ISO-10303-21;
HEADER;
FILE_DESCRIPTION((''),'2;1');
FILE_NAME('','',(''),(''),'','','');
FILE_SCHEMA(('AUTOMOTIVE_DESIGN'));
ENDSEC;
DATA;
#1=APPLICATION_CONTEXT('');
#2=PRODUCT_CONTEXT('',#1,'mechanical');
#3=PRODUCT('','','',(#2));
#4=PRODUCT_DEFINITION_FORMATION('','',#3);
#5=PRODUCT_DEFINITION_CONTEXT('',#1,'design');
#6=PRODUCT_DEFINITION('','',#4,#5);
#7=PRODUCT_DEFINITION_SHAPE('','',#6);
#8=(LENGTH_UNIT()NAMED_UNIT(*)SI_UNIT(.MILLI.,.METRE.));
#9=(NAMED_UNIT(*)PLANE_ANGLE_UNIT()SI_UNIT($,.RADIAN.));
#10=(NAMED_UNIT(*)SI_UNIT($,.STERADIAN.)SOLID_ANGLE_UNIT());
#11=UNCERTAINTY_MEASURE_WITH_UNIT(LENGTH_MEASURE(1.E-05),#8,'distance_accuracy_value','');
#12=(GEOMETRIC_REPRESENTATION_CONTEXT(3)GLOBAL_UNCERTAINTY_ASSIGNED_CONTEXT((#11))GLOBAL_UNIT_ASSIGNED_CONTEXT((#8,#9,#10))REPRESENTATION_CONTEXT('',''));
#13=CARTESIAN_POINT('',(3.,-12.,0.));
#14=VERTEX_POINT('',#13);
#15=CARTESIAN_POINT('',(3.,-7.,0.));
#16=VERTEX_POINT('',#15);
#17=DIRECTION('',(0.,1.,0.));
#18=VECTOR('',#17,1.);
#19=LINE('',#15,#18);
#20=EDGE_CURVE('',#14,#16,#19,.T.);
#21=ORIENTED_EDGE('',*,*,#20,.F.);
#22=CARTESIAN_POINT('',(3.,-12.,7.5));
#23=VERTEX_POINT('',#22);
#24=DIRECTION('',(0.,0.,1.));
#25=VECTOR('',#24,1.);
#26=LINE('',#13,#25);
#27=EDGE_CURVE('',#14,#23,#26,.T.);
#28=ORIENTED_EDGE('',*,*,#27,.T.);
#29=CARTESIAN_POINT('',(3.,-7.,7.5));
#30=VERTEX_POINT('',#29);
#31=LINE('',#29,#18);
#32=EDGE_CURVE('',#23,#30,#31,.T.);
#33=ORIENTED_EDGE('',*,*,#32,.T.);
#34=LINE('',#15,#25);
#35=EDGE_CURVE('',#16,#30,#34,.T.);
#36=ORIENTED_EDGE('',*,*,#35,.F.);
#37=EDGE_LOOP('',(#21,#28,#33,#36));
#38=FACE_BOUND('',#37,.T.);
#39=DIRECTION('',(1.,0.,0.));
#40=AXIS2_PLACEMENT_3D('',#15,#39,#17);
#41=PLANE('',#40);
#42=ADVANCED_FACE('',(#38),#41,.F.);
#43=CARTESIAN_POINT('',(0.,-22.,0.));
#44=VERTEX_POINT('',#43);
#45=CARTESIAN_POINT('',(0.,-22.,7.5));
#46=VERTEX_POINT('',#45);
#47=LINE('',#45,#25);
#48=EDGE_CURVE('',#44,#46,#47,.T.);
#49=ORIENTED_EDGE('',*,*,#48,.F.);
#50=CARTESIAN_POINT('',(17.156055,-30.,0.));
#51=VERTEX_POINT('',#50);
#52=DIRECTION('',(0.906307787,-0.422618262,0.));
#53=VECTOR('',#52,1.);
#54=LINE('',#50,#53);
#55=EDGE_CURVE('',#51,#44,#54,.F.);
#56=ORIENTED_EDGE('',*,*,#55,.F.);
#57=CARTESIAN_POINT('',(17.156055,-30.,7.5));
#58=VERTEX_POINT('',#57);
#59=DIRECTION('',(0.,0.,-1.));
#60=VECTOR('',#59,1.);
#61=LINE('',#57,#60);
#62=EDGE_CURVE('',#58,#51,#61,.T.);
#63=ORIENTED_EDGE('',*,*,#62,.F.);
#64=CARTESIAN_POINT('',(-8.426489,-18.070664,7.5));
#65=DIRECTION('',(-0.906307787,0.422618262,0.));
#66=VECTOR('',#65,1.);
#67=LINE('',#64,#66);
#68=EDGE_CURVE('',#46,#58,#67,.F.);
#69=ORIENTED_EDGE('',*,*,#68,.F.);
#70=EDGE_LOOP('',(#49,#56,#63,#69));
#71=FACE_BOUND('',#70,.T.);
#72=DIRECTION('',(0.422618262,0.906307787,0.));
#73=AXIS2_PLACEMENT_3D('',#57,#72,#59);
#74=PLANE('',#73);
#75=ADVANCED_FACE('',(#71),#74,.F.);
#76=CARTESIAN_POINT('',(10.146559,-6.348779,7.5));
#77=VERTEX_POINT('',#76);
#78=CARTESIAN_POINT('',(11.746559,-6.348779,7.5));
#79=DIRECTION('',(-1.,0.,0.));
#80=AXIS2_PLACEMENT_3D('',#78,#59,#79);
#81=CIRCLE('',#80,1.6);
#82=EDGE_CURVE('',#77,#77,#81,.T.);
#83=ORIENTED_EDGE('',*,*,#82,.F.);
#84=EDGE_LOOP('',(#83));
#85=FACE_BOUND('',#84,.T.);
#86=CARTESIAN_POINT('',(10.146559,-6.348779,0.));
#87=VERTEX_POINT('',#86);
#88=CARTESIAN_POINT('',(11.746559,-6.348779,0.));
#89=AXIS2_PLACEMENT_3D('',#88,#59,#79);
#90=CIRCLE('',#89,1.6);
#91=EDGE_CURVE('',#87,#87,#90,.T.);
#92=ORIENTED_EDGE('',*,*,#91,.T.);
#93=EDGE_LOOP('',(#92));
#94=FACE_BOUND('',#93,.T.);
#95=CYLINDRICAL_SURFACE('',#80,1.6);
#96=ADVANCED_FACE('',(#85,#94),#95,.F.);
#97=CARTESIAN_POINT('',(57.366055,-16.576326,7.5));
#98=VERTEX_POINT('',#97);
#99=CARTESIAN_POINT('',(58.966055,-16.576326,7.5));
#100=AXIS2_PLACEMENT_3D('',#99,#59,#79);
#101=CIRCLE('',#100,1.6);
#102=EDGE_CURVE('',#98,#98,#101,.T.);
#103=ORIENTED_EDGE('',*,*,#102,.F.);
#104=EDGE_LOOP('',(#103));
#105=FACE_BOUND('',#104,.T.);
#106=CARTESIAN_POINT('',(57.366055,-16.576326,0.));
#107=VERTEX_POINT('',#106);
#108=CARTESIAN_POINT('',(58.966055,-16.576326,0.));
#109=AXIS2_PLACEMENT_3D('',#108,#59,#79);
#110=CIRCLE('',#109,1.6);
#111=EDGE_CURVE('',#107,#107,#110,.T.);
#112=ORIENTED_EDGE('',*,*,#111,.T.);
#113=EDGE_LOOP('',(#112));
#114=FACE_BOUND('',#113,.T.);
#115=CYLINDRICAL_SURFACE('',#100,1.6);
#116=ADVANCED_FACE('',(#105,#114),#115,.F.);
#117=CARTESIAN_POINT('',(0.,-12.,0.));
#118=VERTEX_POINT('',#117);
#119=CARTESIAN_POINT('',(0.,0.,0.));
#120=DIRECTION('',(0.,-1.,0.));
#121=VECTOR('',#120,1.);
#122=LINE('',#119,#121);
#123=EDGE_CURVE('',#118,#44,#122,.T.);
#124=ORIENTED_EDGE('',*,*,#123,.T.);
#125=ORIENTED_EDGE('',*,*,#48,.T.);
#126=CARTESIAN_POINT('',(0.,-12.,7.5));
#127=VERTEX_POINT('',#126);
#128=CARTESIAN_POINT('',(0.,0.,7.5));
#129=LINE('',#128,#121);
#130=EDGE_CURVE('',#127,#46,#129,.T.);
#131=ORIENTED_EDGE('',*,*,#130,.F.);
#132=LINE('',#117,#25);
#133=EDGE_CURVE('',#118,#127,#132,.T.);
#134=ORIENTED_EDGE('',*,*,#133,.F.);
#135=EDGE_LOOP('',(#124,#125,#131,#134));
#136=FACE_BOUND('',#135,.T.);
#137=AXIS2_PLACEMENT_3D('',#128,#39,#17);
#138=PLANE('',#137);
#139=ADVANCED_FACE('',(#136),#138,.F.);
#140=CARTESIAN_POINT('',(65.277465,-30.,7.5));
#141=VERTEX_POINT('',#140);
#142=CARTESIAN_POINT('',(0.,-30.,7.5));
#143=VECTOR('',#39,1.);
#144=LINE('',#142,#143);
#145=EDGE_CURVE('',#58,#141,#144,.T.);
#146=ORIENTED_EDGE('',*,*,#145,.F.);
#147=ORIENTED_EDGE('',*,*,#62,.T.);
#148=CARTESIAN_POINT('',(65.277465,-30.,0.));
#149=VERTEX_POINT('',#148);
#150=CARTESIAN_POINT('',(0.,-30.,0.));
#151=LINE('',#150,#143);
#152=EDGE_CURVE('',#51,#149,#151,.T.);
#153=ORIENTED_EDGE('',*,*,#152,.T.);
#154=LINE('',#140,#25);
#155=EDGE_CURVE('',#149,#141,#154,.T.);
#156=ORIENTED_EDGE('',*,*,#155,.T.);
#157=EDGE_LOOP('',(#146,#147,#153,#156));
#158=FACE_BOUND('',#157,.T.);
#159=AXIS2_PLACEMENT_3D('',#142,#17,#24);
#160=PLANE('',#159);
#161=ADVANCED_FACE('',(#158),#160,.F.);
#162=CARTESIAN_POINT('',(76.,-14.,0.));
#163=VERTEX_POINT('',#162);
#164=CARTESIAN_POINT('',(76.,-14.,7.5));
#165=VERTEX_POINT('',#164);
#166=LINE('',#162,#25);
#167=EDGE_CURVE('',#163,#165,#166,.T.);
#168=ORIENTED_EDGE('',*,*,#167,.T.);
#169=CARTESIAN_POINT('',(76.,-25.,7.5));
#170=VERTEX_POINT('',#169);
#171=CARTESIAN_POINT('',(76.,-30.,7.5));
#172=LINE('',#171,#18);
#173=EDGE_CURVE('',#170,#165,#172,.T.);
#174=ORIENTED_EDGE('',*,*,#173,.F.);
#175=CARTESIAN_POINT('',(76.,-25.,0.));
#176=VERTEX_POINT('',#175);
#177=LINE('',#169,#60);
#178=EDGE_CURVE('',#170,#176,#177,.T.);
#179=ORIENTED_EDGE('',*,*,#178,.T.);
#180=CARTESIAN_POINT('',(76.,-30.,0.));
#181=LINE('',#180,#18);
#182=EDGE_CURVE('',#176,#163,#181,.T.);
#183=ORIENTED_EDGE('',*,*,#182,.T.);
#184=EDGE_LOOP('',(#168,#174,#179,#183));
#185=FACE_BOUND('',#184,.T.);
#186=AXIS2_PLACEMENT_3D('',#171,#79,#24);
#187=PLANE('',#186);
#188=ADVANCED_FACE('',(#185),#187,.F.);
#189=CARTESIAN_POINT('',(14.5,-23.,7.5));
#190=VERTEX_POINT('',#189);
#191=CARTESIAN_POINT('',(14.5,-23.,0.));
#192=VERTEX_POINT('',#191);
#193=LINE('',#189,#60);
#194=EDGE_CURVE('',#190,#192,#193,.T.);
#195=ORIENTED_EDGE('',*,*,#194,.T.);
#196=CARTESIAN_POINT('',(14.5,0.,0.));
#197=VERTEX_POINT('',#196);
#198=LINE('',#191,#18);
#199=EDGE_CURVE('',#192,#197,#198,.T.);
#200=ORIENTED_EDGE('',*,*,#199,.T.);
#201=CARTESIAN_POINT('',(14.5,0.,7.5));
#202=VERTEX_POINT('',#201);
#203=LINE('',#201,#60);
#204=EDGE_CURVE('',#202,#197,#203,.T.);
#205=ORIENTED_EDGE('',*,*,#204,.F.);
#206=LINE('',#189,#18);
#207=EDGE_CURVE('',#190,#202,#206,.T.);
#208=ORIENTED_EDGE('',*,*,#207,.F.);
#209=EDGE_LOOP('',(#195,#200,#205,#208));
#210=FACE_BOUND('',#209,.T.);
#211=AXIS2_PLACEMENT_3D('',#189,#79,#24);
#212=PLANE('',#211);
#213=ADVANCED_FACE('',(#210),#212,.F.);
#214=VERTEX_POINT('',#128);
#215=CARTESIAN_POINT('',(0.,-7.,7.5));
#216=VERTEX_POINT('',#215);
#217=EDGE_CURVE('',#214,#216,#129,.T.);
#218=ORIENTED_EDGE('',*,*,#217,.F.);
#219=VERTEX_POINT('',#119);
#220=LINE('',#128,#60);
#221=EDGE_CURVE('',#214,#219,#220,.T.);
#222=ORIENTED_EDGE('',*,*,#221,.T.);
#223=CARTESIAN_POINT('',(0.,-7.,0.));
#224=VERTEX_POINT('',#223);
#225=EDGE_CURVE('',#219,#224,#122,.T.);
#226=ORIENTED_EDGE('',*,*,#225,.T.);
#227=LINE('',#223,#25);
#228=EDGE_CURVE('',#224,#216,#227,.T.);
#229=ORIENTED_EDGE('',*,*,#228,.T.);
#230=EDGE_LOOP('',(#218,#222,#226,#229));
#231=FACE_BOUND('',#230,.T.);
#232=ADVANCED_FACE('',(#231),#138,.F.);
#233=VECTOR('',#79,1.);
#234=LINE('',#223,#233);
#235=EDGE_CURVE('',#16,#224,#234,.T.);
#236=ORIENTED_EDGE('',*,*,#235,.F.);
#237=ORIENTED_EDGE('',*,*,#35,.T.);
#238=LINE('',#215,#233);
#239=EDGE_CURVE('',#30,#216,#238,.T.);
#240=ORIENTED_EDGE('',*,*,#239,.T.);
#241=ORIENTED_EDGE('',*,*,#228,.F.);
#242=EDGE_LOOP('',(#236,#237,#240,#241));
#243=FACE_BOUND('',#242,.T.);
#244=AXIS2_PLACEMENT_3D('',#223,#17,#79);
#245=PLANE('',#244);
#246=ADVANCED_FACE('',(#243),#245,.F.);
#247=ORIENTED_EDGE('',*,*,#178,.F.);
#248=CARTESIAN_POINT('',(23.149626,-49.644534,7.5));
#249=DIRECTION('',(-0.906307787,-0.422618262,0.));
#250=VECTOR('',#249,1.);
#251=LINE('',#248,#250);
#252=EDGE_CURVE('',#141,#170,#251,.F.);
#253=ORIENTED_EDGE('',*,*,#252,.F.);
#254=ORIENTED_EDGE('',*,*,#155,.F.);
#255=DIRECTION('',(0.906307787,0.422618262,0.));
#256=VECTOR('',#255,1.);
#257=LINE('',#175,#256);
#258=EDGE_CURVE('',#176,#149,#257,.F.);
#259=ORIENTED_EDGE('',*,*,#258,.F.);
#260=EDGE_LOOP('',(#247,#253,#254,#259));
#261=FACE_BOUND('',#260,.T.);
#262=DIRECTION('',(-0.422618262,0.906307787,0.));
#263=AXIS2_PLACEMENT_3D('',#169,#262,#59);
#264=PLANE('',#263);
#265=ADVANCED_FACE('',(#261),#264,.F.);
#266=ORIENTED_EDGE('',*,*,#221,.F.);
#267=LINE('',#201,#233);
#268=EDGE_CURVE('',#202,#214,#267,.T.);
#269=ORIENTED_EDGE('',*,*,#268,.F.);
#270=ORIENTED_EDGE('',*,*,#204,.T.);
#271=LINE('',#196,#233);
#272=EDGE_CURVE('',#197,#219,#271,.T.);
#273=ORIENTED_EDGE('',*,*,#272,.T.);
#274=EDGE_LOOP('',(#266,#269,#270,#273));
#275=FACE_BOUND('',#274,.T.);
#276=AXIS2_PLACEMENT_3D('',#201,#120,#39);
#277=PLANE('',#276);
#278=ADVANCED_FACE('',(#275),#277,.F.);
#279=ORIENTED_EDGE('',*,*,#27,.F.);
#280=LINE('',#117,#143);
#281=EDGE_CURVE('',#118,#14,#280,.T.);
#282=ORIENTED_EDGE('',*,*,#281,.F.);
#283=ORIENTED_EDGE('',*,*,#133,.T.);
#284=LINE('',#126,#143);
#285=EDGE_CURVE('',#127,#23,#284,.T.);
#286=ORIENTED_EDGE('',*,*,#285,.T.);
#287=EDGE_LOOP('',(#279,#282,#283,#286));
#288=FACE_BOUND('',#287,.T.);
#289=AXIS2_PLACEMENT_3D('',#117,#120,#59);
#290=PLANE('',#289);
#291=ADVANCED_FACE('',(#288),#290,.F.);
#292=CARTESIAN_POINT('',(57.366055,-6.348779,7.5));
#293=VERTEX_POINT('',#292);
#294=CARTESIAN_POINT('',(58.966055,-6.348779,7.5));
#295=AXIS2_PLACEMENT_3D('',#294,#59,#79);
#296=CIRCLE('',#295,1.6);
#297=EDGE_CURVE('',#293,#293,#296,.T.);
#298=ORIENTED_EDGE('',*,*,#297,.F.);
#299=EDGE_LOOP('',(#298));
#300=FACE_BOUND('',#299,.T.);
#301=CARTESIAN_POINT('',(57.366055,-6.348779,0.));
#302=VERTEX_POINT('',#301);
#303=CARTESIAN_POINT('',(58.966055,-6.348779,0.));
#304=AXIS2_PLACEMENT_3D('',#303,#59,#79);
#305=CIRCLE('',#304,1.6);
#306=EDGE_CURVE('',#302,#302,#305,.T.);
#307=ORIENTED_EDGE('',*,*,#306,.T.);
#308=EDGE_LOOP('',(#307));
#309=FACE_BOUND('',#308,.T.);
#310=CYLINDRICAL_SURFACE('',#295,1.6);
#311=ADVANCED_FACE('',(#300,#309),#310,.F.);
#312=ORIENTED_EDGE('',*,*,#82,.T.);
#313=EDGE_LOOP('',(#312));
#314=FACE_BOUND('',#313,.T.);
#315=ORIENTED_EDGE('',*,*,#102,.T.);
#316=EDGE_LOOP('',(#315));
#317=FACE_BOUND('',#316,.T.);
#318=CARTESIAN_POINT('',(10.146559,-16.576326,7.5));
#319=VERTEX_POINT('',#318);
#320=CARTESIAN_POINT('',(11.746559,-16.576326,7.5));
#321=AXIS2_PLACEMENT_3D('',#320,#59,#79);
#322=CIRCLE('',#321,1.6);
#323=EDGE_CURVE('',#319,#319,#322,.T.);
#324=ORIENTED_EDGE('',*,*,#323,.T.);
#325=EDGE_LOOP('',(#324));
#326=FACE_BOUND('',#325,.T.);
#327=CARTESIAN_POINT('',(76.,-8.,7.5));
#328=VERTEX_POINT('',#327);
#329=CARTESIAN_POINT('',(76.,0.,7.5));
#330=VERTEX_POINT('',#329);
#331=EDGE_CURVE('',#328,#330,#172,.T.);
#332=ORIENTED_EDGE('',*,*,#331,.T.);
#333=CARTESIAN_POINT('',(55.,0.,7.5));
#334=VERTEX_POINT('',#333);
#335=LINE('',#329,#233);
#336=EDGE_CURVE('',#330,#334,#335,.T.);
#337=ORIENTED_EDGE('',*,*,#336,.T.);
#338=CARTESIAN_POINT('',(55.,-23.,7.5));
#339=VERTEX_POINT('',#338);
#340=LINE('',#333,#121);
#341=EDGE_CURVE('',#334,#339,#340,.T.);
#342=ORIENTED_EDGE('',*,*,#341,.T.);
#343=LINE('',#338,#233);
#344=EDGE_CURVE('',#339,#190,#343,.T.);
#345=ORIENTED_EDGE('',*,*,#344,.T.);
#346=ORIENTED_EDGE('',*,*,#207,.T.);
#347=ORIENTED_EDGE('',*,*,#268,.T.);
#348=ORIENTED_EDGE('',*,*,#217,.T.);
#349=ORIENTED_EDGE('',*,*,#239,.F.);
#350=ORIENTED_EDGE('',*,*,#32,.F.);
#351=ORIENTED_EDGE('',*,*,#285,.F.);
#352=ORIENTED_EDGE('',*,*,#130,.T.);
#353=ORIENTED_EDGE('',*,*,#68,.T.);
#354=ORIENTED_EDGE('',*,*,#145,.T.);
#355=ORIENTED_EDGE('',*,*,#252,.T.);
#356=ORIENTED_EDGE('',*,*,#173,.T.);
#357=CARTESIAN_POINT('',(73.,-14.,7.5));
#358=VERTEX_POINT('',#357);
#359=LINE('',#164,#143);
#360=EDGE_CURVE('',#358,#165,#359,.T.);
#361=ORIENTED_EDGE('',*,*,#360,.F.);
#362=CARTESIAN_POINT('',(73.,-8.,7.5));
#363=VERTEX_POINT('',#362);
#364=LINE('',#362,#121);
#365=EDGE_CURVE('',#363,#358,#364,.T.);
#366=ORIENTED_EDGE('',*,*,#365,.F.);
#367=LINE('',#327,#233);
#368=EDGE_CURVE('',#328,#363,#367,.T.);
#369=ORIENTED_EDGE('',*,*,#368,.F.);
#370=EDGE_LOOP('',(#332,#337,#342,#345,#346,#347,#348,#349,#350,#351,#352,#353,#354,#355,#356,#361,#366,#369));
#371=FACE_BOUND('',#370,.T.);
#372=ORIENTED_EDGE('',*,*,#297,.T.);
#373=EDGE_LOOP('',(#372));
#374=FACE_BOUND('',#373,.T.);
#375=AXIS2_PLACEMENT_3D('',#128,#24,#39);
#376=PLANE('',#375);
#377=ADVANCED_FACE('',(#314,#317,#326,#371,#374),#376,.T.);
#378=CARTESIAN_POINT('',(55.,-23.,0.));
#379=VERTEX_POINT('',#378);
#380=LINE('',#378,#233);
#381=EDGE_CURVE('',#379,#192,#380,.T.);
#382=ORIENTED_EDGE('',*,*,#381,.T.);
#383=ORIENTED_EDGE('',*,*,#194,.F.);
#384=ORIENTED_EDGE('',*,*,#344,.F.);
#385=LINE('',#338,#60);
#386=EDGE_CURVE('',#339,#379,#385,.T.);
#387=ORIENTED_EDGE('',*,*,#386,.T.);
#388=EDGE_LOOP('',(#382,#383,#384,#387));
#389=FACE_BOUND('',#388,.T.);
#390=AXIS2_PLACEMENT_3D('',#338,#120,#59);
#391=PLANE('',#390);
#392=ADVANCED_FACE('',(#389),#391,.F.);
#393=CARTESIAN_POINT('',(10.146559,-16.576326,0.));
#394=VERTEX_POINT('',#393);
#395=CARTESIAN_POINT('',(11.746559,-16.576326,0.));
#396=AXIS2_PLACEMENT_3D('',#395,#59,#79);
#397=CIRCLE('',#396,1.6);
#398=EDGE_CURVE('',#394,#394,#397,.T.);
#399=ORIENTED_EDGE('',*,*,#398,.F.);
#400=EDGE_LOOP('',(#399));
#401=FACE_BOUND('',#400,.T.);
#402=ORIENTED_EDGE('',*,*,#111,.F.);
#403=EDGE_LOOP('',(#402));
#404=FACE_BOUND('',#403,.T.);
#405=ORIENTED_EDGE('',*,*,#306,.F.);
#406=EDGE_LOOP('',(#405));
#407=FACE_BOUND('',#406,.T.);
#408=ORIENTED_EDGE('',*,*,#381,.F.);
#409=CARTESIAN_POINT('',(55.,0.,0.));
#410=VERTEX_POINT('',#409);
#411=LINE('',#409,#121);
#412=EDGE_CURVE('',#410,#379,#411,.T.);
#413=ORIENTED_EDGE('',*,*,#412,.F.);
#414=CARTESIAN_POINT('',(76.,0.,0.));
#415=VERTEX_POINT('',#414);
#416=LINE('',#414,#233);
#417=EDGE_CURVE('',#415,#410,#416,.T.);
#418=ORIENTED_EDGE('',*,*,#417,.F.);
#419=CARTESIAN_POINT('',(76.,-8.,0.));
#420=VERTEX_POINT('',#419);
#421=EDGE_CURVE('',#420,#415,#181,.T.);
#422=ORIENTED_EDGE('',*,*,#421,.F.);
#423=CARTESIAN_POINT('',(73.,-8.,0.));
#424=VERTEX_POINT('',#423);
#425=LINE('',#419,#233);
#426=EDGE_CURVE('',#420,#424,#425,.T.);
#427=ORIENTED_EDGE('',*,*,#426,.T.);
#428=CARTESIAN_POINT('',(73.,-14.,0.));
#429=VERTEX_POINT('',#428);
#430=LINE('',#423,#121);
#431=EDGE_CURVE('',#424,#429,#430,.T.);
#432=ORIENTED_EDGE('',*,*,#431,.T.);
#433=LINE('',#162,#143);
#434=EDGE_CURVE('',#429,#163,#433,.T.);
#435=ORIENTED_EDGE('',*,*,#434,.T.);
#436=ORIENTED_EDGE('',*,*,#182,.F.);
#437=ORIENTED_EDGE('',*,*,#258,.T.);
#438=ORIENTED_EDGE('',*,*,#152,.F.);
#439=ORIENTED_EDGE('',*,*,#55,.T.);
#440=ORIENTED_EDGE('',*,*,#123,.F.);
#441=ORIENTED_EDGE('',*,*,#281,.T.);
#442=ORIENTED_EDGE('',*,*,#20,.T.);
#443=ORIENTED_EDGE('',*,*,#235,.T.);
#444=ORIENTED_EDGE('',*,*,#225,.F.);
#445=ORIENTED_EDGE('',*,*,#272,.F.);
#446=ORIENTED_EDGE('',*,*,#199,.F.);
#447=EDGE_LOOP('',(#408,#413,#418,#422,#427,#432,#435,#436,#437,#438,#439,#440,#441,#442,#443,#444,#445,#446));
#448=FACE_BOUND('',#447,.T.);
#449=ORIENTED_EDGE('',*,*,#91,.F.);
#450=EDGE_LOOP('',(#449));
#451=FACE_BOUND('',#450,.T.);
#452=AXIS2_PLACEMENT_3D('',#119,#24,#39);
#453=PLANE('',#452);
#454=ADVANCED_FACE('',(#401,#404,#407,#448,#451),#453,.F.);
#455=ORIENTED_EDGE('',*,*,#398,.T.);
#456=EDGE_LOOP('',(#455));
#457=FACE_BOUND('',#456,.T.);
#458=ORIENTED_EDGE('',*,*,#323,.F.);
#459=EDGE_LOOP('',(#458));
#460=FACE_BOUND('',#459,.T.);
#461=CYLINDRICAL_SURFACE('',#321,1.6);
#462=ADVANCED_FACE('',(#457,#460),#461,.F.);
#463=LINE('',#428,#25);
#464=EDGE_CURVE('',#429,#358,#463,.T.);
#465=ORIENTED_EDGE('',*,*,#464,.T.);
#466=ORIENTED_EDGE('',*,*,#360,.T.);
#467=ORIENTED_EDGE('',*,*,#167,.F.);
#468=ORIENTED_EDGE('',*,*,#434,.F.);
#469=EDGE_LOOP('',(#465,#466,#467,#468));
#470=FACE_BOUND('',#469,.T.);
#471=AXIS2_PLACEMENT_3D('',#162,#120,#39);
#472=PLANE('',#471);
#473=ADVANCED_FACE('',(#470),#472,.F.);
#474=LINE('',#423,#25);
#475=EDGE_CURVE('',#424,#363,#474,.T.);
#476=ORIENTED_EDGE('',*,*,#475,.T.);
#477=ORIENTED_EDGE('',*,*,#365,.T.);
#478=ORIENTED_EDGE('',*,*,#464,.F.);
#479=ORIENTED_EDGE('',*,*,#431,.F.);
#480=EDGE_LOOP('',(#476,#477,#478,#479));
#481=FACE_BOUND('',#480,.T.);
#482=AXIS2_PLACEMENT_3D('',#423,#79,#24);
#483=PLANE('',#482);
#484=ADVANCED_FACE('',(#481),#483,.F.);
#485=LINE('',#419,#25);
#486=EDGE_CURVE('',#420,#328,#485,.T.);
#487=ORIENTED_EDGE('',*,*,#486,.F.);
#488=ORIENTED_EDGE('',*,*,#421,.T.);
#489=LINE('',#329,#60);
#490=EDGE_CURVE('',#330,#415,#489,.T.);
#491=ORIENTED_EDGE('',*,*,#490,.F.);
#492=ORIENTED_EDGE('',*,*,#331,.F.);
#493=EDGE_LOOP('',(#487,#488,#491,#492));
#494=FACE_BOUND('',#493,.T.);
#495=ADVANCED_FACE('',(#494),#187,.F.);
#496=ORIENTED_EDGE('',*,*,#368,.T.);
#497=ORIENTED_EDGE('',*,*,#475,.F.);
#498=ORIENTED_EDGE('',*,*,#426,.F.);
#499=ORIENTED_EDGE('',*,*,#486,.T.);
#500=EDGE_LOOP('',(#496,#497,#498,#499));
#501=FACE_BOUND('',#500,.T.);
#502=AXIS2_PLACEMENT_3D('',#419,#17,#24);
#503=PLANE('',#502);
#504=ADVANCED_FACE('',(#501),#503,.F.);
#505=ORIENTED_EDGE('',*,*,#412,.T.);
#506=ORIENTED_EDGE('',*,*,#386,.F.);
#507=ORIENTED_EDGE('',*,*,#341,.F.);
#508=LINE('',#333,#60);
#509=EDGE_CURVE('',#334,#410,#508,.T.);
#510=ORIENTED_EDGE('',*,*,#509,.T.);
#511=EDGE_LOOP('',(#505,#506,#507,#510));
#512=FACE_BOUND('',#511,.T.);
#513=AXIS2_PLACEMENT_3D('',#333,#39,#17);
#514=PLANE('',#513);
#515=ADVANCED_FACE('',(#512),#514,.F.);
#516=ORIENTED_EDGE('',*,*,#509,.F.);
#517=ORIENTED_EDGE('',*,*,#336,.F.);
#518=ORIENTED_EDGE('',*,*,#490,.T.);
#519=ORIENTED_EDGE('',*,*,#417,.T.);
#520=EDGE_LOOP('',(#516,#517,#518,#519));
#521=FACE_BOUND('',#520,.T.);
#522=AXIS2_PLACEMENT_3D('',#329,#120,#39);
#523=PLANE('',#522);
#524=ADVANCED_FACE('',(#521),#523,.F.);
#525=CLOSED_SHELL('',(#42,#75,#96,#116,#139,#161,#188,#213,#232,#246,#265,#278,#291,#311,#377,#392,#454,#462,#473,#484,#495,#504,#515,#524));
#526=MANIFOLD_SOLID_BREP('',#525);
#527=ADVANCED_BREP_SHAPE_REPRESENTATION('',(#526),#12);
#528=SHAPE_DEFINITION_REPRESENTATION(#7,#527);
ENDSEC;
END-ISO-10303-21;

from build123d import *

# Parameters (mm, degrees)
BOSS_EXTRU_1_DEPTH      = 7.5
ESQUISSE2_R             = 1.6
ENL_V_MAT_EXTRU_1_DEPTH = 83.050289457
CHANFREIN1_SIZE         = 8
CHANFREIN1_SIZE2        = 17.156055364
CHANFREIN2_SIZE         = 5
CHANFREIN2_SIZE2        = 10.722534603
ESQUISSE3_W             = 3
ESQUISSE3_H             = 6
ESQUISSE3_H_2           = 5
ENL_V_MAT_EXTRU_2_DEPTH = 83.050289457


with BuildPart() as part:
    # Esquisse1 → Boss.-Extru.1 (new body)
    with BuildSketch(Plane.XY):
        Polygon((0, 0), (0, -30), (76, -30), (76, 0), (55, 0), (55, -23), (14.5, -23), (14.5, 0), align=None)
    extrude(amount=BOSS_EXTRU_1_DEPTH)

    # Esquisse2 → Enlèv. mat.-Extru.1 (cut, through all)
    with BuildSketch(Plane(origin=(0, 0, 0), x_dir=(-1, 0, 0), z_dir=(0, 0, -1))):
        with Locations((-11.746558558, -16.576326178)):
            Circle(ESQUISSE2_R)
        with Locations((-11.746558558, -6.348778822)):
            Circle(ESQUISSE2_R)
        with Locations((-58.966054895, -16.576326178)):
            Circle(ESQUISSE2_R)
        with Locations((-58.966054895, -6.348778822)):
            Circle(ESQUISSE2_R)
    extrude(amount=-ENL_V_MAT_EXTRU_1_DEPTH, mode=Mode.SUBTRACT)

    # Chanfrein1
    chanfrein1_edges = [part.edges().sort_by_distance(p)[0] for p in [
        (0, -30, 3.75),
    ]]
    chanfrein1_side = [part.faces().sort_by_distance(p)[0] for p in [
        (0, -15, 3.75),
    ]]
    chamfer(chanfrein1_edges, length=CHANFREIN1_SIZE, length2=CHANFREIN1_SIZE2, reference=chanfrein1_side[0])

    # Chanfrein2
    chanfrein2_edges = [part.edges().sort_by_distance(p)[0] for p in [
        (76, -30, 3.75),
    ]]
    chanfrein2_side = [part.faces().sort_by_distance(p)[0] for p in [
        (76, -15, 3.75),
    ]]
    chamfer(chanfrein2_edges, length=CHANFREIN2_SIZE, length2=CHANFREIN2_SIZE2, reference=chanfrein2_side[0])

    # Esquisse3 → Enlèv. mat.-Extru.2 (cut, through all)
    with BuildSketch(Plane.XY.offset(7.5)):
        with Locations((74.5, -11)):
            Rectangle(ESQUISSE3_W, ESQUISSE3_H)
        with Locations((1.5, -9.5)):
            Rectangle(ESQUISSE3_W, ESQUISSE3_H_2)
    extrude(amount=-ENL_V_MAT_EXTRU_2_DEPTH, mode=Mode.SUBTRACT)


solid = part.part
